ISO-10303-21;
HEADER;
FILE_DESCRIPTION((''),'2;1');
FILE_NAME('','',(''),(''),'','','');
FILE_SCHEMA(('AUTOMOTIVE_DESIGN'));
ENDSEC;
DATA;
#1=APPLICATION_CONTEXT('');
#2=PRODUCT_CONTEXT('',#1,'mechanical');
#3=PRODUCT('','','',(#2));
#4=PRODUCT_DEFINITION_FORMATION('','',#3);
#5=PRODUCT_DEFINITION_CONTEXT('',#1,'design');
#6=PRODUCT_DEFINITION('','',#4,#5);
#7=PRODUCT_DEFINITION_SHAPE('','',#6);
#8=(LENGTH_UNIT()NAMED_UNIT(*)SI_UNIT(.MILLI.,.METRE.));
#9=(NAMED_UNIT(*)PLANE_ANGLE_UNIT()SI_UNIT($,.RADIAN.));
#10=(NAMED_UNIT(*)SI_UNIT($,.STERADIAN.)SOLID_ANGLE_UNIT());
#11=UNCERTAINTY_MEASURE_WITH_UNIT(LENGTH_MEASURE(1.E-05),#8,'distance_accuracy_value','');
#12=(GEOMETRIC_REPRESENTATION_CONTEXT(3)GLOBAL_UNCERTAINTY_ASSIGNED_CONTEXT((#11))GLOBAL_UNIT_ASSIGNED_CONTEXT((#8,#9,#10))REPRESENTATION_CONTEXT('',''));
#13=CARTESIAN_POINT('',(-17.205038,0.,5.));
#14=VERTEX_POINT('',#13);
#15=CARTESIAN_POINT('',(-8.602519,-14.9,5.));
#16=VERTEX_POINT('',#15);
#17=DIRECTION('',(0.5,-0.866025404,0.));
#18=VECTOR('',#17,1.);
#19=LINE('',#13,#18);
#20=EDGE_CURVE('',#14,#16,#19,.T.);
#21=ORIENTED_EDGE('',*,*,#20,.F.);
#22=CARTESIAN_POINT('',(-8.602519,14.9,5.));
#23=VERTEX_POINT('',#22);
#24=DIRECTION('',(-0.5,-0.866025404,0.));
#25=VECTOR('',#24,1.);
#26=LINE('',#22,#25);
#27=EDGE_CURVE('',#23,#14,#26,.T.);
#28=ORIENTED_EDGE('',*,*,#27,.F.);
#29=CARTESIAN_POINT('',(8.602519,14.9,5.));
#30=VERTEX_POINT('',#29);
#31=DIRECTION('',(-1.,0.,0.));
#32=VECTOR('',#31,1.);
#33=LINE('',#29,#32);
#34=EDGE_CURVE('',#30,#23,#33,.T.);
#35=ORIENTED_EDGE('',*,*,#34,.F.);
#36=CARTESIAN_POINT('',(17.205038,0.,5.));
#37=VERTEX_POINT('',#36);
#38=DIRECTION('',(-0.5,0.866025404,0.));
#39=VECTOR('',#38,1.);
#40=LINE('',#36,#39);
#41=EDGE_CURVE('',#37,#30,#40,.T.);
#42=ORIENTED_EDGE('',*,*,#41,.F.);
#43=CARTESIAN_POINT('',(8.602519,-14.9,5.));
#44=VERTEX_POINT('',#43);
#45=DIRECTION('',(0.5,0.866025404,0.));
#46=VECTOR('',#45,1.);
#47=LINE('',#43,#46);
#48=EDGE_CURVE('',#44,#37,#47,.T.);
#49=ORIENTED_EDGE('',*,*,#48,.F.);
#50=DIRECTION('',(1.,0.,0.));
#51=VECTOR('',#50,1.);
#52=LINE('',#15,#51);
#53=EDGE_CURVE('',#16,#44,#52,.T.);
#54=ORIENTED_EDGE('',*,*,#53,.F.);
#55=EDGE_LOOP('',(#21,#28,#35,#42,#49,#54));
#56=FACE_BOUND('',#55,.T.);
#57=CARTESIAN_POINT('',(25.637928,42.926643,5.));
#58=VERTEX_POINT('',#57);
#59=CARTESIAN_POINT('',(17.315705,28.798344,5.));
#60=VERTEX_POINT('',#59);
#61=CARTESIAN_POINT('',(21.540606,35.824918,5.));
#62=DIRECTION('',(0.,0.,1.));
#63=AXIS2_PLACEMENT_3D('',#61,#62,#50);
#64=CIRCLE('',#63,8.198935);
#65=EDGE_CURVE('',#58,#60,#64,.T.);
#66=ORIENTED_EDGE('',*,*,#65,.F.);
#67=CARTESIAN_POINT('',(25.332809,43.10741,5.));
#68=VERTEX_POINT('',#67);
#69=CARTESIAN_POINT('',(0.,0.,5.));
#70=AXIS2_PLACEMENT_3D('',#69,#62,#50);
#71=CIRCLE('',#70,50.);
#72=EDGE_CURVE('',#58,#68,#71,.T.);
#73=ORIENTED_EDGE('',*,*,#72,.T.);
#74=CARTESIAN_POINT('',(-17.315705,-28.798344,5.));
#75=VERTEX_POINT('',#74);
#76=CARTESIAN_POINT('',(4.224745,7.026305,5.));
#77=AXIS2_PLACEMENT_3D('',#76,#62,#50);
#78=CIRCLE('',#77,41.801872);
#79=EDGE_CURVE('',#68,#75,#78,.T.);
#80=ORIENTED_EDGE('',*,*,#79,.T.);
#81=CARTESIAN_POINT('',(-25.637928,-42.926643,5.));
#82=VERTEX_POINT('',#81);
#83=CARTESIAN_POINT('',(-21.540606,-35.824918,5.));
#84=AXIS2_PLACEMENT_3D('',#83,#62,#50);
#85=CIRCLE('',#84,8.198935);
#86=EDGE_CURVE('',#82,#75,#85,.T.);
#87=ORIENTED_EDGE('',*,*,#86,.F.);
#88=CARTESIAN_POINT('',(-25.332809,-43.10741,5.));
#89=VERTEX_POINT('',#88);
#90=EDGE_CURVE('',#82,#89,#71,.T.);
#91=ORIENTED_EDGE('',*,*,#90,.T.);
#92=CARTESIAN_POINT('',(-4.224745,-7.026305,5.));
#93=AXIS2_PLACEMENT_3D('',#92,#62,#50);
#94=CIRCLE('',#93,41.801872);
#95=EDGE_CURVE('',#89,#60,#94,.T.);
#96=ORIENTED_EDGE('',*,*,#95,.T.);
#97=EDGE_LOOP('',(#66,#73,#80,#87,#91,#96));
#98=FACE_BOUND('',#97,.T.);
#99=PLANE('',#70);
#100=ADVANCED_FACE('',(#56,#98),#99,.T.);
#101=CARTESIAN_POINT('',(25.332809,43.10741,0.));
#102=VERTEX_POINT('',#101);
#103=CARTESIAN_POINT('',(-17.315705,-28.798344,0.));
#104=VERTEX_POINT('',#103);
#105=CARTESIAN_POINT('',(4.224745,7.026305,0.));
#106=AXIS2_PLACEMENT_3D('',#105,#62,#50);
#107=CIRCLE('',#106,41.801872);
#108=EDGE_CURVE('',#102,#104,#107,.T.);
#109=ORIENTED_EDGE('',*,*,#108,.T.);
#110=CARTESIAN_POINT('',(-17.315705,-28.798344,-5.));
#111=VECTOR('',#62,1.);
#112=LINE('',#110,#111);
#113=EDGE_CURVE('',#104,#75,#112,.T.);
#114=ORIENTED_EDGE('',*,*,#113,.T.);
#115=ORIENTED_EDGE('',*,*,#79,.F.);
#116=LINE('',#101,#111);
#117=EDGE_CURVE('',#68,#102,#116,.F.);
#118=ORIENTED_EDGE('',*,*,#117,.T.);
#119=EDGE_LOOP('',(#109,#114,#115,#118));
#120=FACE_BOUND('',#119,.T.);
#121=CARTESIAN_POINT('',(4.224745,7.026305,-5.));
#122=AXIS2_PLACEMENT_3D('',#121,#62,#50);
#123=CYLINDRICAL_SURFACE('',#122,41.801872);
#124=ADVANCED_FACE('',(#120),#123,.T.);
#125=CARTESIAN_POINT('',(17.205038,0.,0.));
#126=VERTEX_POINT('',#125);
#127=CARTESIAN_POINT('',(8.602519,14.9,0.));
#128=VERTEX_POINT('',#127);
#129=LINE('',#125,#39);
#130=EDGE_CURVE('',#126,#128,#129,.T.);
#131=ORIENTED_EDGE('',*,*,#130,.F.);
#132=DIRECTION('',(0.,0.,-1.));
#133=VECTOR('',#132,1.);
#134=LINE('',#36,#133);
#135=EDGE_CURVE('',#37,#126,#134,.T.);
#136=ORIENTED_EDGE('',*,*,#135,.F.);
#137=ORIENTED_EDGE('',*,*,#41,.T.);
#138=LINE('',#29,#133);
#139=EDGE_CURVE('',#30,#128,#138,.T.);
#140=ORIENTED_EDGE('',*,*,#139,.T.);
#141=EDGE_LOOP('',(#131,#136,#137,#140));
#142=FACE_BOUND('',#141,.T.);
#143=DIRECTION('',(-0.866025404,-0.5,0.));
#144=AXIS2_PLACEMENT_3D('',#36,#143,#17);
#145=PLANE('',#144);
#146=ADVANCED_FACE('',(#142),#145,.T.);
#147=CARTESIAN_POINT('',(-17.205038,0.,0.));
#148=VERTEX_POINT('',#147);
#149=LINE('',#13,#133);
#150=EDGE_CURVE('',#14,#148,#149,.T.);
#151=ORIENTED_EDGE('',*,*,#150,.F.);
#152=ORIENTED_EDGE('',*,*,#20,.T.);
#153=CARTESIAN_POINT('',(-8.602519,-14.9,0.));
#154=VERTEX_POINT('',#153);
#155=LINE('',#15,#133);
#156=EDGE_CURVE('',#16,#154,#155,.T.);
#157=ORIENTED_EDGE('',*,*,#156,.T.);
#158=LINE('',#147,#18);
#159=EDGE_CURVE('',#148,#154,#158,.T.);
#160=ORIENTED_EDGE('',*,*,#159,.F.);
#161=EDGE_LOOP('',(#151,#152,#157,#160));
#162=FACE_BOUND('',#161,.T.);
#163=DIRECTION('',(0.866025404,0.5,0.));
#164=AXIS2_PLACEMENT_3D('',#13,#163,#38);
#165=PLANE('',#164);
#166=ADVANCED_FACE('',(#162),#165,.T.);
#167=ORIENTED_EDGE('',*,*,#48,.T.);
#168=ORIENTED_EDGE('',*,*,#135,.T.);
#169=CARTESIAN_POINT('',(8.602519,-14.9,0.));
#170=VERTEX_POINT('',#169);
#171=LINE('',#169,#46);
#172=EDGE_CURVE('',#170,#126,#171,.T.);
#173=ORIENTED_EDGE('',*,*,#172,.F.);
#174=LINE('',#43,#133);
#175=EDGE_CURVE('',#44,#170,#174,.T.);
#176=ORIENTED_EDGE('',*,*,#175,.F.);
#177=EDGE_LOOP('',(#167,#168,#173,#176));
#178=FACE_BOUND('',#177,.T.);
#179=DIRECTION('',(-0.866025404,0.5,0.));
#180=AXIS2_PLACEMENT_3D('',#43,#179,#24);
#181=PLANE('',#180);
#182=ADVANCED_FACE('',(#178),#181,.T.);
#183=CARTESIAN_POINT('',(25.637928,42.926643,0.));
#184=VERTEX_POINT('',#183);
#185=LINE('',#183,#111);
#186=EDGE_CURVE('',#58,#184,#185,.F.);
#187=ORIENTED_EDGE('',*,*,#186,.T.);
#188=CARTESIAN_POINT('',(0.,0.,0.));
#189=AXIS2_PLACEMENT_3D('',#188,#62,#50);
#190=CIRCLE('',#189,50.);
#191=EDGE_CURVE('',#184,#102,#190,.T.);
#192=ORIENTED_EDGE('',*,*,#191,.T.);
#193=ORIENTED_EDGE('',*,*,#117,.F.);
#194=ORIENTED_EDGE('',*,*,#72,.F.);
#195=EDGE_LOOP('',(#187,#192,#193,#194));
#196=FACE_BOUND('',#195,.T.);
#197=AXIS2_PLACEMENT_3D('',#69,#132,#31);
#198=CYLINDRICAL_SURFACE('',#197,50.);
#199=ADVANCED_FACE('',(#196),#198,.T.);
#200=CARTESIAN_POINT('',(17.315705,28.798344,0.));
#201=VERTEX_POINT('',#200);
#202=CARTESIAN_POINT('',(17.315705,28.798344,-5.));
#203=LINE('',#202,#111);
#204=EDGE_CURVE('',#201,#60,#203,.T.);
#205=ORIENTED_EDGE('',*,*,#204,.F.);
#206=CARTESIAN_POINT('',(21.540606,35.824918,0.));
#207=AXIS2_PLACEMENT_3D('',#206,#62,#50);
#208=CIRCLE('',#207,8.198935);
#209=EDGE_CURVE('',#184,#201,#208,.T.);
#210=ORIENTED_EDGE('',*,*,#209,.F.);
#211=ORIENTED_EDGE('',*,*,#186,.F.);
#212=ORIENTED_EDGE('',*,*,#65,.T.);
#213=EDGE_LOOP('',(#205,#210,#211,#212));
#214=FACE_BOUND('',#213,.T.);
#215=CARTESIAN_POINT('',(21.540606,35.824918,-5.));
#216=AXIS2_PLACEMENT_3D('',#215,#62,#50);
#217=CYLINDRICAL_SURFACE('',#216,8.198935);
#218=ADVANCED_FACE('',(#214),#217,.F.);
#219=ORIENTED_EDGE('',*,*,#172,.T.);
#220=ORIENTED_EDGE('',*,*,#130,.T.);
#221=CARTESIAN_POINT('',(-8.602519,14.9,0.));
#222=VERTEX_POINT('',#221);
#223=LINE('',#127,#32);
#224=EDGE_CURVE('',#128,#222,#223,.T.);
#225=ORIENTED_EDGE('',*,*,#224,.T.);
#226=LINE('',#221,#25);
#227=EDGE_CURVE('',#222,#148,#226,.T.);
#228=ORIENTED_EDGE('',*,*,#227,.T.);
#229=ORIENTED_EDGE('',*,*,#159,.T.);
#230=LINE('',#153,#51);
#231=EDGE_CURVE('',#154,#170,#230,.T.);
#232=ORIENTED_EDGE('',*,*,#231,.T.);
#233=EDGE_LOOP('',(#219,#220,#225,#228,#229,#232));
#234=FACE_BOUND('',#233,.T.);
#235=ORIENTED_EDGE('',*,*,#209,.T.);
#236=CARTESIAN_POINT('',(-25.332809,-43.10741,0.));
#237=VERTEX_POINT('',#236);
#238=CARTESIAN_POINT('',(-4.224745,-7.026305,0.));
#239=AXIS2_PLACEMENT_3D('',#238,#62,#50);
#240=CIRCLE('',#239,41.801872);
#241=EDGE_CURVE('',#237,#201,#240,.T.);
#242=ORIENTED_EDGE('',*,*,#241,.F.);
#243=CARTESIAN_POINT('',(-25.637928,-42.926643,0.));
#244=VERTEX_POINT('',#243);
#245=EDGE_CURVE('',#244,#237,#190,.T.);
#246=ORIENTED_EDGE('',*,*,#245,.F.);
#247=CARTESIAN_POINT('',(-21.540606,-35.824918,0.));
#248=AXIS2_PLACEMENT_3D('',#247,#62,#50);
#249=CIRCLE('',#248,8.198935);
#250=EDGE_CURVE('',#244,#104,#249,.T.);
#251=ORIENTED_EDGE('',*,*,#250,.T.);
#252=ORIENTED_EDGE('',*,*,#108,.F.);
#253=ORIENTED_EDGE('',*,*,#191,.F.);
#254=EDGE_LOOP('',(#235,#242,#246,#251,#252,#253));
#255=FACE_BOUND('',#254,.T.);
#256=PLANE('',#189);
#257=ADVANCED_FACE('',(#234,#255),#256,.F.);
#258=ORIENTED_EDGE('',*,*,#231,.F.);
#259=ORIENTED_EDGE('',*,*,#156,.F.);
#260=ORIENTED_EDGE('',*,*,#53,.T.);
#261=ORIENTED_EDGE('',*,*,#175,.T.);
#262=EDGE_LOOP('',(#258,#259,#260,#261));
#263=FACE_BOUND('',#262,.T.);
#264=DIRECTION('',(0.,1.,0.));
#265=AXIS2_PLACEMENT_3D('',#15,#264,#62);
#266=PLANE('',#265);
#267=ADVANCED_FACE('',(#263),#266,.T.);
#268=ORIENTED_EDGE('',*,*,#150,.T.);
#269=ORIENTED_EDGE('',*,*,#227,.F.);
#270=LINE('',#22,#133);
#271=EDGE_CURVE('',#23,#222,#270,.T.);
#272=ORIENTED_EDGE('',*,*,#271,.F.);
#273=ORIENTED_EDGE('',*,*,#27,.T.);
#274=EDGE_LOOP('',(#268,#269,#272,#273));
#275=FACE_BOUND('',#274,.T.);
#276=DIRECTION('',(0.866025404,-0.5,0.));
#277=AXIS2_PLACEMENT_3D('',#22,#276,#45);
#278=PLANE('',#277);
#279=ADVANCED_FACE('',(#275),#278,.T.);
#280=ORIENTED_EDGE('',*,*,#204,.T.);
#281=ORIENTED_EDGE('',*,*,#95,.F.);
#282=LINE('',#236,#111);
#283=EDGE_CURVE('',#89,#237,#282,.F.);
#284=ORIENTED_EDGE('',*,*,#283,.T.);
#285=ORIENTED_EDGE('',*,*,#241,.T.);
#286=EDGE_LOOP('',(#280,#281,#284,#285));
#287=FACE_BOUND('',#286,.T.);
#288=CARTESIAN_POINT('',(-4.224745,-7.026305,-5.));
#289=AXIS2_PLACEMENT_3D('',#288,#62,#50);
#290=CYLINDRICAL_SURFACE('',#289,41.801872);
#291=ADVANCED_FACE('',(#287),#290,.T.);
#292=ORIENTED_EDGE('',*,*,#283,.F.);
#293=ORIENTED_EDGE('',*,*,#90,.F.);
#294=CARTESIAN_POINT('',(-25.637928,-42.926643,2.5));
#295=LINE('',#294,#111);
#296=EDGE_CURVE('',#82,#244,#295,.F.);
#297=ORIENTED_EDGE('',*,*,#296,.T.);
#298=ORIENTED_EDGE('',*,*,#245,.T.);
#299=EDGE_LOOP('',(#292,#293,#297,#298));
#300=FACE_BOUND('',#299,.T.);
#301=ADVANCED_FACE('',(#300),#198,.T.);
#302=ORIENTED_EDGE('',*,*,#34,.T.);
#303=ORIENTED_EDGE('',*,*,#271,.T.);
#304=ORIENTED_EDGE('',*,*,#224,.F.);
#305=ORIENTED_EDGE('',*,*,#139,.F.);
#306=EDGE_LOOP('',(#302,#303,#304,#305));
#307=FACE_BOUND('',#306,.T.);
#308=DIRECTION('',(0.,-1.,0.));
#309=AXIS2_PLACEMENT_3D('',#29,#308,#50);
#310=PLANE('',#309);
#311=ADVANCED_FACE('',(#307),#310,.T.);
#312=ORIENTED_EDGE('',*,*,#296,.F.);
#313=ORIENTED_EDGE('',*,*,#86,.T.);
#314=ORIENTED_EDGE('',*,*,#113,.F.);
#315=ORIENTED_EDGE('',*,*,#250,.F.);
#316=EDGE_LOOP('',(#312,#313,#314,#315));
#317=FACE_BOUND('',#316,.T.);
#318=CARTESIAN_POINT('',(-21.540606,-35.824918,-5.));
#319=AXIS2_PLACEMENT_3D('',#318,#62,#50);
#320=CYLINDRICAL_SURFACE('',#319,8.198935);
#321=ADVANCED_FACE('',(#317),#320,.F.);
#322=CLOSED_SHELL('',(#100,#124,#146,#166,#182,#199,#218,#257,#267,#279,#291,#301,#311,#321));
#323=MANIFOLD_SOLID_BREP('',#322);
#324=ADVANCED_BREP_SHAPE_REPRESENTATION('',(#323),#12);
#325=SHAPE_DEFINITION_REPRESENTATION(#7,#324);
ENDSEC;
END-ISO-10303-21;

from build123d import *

# Parameters (mm, degrees)
ESBO_O1_R                = 50
RESSALTO_EXTRUS_O2_DEPTH = 5
CORTE_EXTRUS_O3_DEPTH    = 10


with BuildPart() as part:
    # Esboço1 → Ressalto-extrusão2 (new body)
    with BuildSketch(Plane.XY):
        Circle(ESBO_O1_R)
        Polygon((17.205038022, 0), (8.602519011, 14.9), (-8.602519011, 14.9), (-17.205038022, 0), (-8.602519011, -14.9), (8.602519011, -14.9), align=None, mode=Mode.SUBTRACT)
    extrude(amount=RESSALTO_EXTRUS_O2_DEPTH)

    # Esboço2 → Corte-extrusão3 (cut)
    with BuildSketch(Plane.XY.offset(5)):
        with BuildLine():
            ThreePointArc((17.315705324, 28.798343726), (31.728781641, -28.350948037), (-25.332809256, -43.107409748))
            ThreePointArc((-25.332809256, -43.107409748), (24.833037845, -43.397237601), (50, 0))
            ThreePointArc((50, 0), (43.485034201, 24.678974868), (25.637927978, 42.926642647))
            ThreePointArc((25.637927978, 42.926642647), (14.476168491, 39.986199306), (17.315705324, 28.798343726))
        make_face()
        with BuildLine():
            ThreePointArc((25.332809256, 43.107409748), (-43.017296722, 25.485528889), (-25.637927978, -42.926642647))
            ThreePointArc((-25.637927978, -42.926642647), (-14.476168491, -39.986199306), (-17.315705324, -28.798343726))
            ThreePointArc((-17.315705324, -28.798343726), (-31.728781641, 28.350948037), (25.332809256, 43.107409748))
        make_face()
    extrude(amount=-CORTE_EXTRUS_O3_DEPTH, mode=Mode.SUBTRACT)


solid = part.part
